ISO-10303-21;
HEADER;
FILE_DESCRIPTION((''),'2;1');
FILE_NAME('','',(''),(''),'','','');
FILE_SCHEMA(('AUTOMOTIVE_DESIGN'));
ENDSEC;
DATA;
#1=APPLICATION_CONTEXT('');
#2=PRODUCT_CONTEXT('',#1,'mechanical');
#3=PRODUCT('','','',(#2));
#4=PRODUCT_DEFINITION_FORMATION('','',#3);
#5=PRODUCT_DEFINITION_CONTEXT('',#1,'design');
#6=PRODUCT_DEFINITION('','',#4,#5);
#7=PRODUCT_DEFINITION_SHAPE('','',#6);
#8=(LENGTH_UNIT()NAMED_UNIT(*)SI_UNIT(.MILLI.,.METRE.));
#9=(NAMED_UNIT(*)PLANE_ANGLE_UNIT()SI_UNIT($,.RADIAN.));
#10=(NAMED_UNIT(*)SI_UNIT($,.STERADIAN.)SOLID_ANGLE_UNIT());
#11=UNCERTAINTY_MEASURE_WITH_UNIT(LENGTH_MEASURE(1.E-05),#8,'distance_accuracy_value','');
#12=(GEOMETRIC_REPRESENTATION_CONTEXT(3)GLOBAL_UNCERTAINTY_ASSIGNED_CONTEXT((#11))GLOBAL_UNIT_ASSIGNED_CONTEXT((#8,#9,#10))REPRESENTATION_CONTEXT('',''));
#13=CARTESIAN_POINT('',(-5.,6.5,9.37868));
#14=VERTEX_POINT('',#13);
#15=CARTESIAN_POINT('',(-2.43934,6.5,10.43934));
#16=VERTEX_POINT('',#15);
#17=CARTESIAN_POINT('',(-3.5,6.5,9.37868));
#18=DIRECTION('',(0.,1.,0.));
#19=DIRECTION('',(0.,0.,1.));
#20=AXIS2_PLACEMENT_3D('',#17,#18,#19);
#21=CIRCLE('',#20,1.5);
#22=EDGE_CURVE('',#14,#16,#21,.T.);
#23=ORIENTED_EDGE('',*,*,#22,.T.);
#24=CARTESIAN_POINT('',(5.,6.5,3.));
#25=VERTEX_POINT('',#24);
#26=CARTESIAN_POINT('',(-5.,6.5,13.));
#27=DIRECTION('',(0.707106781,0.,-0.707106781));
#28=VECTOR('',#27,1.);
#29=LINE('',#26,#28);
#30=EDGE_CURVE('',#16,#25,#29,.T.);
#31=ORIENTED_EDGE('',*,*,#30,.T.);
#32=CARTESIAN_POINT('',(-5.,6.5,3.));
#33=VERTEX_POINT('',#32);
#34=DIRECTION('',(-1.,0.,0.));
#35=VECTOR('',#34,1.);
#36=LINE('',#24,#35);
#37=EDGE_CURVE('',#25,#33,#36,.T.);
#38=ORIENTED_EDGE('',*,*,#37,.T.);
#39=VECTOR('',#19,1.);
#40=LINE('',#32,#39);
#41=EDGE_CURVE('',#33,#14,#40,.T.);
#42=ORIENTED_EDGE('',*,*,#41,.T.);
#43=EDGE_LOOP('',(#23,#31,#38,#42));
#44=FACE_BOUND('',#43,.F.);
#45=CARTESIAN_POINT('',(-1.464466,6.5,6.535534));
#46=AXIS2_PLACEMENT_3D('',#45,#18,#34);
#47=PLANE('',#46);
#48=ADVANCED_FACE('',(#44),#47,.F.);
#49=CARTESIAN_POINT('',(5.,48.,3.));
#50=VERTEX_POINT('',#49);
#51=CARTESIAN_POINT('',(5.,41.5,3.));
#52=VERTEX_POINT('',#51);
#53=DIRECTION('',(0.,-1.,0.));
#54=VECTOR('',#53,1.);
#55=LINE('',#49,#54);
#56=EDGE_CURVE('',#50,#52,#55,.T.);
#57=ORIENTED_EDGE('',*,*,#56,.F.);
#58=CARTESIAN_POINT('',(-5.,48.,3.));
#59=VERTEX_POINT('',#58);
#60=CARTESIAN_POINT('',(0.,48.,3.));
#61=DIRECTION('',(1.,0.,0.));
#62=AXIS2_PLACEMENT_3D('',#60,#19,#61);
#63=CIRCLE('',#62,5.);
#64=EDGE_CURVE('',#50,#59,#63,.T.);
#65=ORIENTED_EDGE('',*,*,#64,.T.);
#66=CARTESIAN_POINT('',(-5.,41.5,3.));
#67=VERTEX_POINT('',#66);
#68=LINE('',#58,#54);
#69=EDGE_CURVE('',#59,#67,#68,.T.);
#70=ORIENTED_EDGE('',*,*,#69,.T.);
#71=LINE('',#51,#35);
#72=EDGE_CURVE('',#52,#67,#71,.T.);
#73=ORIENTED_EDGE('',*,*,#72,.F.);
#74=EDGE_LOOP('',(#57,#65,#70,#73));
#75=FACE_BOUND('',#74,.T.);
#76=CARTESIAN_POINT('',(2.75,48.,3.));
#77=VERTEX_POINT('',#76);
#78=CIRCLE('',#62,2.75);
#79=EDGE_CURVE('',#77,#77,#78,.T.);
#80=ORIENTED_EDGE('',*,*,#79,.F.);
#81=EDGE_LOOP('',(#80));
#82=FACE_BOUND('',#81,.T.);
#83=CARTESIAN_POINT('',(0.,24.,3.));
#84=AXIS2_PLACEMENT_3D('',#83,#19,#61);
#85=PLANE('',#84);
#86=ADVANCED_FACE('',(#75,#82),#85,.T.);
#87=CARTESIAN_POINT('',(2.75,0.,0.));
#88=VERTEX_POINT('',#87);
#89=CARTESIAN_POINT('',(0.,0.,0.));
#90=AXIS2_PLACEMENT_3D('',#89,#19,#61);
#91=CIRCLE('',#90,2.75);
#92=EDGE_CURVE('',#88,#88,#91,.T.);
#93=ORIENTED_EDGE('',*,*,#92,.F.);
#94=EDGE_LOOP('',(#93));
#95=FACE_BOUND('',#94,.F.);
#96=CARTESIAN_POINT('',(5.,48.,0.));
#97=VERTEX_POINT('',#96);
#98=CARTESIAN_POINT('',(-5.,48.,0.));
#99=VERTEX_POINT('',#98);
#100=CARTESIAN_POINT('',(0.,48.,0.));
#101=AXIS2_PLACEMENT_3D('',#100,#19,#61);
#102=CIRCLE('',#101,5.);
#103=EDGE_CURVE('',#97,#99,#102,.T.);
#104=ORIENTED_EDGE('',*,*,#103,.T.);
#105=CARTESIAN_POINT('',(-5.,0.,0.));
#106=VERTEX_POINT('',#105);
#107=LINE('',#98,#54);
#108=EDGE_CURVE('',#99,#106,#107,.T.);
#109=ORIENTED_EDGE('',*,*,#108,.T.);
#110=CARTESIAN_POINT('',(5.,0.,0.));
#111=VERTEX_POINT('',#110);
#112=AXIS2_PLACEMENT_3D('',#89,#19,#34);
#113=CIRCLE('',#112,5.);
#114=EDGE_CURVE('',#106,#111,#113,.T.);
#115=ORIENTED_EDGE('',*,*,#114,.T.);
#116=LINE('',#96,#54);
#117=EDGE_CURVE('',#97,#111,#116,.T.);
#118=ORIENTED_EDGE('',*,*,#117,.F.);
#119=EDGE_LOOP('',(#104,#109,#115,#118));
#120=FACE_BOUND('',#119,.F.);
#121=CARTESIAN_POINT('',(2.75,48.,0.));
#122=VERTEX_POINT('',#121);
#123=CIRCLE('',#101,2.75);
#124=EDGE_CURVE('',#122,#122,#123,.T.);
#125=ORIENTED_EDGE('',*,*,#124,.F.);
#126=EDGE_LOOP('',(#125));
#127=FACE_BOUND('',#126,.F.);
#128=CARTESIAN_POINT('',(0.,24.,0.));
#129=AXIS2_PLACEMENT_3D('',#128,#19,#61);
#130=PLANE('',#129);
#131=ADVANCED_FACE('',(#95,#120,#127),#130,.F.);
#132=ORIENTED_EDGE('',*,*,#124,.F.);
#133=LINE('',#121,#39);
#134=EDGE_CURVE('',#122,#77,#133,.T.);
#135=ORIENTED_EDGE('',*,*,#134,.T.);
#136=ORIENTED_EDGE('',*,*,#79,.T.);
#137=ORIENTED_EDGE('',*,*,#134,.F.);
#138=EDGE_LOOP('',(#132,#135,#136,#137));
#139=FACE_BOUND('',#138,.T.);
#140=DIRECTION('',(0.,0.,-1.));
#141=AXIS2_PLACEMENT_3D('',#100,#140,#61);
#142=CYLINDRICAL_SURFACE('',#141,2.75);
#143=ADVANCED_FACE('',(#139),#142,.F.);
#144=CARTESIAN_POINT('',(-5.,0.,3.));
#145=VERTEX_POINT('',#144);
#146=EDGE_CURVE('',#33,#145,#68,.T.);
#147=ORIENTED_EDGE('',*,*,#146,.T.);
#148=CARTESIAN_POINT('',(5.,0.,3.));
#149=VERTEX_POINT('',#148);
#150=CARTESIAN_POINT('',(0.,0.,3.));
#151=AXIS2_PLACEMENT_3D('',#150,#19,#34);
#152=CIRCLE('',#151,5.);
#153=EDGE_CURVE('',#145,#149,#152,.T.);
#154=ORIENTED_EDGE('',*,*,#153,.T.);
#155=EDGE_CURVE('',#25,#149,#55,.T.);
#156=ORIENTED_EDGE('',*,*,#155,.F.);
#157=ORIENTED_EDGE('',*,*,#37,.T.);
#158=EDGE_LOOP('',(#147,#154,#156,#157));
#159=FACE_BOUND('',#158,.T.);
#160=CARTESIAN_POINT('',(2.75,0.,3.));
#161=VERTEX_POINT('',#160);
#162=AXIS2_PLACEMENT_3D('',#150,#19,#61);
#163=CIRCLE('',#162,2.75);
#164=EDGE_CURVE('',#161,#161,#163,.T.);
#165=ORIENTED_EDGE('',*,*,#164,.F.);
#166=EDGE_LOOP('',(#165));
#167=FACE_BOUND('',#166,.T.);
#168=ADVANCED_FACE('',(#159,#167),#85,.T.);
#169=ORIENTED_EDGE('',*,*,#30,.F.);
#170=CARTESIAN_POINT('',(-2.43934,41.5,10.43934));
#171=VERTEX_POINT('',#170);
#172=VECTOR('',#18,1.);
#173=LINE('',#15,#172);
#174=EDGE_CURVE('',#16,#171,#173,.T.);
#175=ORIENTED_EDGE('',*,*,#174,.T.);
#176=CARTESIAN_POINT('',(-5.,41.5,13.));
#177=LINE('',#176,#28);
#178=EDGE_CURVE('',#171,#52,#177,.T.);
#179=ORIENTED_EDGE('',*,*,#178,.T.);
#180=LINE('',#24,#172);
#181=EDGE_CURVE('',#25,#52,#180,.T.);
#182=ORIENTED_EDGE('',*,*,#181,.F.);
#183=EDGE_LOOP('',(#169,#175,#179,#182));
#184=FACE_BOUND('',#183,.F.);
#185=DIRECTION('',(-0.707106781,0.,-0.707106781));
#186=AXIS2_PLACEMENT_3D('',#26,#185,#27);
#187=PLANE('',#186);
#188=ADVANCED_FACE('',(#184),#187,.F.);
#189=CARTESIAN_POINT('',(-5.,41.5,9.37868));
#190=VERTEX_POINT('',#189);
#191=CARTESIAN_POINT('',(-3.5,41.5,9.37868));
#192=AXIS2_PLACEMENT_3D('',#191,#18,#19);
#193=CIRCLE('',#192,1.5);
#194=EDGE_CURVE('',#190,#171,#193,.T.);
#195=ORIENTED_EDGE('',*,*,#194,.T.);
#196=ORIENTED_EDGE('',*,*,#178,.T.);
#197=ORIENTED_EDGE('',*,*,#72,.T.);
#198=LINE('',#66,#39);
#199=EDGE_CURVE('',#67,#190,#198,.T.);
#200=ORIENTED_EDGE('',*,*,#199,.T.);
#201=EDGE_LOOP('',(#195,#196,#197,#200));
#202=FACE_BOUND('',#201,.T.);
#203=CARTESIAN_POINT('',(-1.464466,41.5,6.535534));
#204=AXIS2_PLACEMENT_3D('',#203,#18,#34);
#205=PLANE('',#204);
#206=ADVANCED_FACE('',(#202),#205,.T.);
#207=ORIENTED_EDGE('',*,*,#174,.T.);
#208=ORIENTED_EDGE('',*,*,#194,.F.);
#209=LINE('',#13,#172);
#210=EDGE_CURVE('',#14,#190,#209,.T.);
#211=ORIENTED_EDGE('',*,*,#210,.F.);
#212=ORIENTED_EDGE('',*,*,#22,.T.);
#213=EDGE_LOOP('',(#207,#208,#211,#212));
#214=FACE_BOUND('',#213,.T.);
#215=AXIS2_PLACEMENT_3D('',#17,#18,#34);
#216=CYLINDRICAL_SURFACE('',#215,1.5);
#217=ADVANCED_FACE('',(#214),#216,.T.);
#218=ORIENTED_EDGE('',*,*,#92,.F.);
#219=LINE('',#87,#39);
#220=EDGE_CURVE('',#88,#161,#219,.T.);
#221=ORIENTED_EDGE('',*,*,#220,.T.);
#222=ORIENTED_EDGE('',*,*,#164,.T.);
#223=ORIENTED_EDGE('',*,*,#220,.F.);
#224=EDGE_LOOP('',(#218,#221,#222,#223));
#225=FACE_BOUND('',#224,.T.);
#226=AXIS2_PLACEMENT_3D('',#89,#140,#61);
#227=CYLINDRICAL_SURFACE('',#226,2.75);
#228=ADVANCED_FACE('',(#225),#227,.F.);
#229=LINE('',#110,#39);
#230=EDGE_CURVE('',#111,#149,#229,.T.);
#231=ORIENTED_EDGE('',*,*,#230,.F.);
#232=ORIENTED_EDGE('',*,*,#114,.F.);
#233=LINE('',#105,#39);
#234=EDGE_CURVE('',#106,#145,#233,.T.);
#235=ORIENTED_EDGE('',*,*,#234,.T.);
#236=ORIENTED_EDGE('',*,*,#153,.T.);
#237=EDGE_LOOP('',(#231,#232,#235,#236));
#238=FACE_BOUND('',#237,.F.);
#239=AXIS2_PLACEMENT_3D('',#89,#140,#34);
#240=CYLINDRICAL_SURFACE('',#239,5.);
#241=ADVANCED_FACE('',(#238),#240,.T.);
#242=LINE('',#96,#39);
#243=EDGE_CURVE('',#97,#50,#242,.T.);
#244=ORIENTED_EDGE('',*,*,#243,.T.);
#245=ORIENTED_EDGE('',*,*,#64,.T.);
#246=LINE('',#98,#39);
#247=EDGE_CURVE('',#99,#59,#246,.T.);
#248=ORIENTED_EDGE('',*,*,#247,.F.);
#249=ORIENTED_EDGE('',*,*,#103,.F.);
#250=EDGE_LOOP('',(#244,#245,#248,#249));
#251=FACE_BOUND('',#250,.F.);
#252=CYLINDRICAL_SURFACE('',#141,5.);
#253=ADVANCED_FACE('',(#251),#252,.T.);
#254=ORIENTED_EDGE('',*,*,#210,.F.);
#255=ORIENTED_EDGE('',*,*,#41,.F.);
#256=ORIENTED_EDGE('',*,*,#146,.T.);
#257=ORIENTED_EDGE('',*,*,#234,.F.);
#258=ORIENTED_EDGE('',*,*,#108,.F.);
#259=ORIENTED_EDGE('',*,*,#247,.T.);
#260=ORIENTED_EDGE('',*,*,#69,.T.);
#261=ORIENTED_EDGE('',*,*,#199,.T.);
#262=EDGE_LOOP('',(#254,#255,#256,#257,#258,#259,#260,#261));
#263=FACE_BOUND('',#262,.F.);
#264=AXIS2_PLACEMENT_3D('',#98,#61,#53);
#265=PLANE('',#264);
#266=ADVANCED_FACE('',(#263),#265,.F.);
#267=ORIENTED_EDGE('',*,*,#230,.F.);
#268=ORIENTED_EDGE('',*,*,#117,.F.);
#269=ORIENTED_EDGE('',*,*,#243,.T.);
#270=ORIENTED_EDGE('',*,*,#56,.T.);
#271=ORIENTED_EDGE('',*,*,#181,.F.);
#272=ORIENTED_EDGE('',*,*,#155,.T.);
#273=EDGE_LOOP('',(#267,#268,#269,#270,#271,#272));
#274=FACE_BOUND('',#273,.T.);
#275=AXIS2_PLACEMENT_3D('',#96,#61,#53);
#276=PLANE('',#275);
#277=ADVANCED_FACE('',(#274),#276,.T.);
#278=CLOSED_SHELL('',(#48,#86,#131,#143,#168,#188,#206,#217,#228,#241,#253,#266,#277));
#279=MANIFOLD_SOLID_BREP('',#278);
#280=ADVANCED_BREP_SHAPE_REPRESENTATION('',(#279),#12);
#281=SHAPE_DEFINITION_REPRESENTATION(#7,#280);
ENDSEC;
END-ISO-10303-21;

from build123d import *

# Parameters (mm, degrees)
SKETCH_R     = 2.75
PAD_DEPTH    = 3
PAD001_DEPTH = 35
FILLET_R     = 1.5


with BuildPart() as part:
    # Sketch → Pad (new body)
    with BuildSketch(Plane.XY):
        with BuildLine():
            ThreePointArc((5, 48), (0, 53), (-5, 48))
            Line((-5, 48), (-5, 0))
            ThreePointArc((-5, 0), (0, -5), (5, 0))
            Line((5, 48), (5, 0))
        make_face()
        with Locations((0, 48)):
            Circle(SKETCH_R, mode=Mode.SUBTRACT)
        Circle(SKETCH_R, mode=Mode.SUBTRACT)
    extrude(amount=PAD_DEPTH)

    # Sketch001 → Pad001 (join)
    with BuildSketch(Plane.XZ.offset(-6.5)):
        Polygon((-5, 3), (-5, 13), (5, 3), align=None)
    extrude(amount=-PAD001_DEPTH)

    # Fillet
    fillet_edges = [part.edges().sort_by_distance(p)[0] for p in [
        (-5, 24, 13),
    ]]
    fillet(fillet_edges, radius=FILLET_R)


solid = part.part
